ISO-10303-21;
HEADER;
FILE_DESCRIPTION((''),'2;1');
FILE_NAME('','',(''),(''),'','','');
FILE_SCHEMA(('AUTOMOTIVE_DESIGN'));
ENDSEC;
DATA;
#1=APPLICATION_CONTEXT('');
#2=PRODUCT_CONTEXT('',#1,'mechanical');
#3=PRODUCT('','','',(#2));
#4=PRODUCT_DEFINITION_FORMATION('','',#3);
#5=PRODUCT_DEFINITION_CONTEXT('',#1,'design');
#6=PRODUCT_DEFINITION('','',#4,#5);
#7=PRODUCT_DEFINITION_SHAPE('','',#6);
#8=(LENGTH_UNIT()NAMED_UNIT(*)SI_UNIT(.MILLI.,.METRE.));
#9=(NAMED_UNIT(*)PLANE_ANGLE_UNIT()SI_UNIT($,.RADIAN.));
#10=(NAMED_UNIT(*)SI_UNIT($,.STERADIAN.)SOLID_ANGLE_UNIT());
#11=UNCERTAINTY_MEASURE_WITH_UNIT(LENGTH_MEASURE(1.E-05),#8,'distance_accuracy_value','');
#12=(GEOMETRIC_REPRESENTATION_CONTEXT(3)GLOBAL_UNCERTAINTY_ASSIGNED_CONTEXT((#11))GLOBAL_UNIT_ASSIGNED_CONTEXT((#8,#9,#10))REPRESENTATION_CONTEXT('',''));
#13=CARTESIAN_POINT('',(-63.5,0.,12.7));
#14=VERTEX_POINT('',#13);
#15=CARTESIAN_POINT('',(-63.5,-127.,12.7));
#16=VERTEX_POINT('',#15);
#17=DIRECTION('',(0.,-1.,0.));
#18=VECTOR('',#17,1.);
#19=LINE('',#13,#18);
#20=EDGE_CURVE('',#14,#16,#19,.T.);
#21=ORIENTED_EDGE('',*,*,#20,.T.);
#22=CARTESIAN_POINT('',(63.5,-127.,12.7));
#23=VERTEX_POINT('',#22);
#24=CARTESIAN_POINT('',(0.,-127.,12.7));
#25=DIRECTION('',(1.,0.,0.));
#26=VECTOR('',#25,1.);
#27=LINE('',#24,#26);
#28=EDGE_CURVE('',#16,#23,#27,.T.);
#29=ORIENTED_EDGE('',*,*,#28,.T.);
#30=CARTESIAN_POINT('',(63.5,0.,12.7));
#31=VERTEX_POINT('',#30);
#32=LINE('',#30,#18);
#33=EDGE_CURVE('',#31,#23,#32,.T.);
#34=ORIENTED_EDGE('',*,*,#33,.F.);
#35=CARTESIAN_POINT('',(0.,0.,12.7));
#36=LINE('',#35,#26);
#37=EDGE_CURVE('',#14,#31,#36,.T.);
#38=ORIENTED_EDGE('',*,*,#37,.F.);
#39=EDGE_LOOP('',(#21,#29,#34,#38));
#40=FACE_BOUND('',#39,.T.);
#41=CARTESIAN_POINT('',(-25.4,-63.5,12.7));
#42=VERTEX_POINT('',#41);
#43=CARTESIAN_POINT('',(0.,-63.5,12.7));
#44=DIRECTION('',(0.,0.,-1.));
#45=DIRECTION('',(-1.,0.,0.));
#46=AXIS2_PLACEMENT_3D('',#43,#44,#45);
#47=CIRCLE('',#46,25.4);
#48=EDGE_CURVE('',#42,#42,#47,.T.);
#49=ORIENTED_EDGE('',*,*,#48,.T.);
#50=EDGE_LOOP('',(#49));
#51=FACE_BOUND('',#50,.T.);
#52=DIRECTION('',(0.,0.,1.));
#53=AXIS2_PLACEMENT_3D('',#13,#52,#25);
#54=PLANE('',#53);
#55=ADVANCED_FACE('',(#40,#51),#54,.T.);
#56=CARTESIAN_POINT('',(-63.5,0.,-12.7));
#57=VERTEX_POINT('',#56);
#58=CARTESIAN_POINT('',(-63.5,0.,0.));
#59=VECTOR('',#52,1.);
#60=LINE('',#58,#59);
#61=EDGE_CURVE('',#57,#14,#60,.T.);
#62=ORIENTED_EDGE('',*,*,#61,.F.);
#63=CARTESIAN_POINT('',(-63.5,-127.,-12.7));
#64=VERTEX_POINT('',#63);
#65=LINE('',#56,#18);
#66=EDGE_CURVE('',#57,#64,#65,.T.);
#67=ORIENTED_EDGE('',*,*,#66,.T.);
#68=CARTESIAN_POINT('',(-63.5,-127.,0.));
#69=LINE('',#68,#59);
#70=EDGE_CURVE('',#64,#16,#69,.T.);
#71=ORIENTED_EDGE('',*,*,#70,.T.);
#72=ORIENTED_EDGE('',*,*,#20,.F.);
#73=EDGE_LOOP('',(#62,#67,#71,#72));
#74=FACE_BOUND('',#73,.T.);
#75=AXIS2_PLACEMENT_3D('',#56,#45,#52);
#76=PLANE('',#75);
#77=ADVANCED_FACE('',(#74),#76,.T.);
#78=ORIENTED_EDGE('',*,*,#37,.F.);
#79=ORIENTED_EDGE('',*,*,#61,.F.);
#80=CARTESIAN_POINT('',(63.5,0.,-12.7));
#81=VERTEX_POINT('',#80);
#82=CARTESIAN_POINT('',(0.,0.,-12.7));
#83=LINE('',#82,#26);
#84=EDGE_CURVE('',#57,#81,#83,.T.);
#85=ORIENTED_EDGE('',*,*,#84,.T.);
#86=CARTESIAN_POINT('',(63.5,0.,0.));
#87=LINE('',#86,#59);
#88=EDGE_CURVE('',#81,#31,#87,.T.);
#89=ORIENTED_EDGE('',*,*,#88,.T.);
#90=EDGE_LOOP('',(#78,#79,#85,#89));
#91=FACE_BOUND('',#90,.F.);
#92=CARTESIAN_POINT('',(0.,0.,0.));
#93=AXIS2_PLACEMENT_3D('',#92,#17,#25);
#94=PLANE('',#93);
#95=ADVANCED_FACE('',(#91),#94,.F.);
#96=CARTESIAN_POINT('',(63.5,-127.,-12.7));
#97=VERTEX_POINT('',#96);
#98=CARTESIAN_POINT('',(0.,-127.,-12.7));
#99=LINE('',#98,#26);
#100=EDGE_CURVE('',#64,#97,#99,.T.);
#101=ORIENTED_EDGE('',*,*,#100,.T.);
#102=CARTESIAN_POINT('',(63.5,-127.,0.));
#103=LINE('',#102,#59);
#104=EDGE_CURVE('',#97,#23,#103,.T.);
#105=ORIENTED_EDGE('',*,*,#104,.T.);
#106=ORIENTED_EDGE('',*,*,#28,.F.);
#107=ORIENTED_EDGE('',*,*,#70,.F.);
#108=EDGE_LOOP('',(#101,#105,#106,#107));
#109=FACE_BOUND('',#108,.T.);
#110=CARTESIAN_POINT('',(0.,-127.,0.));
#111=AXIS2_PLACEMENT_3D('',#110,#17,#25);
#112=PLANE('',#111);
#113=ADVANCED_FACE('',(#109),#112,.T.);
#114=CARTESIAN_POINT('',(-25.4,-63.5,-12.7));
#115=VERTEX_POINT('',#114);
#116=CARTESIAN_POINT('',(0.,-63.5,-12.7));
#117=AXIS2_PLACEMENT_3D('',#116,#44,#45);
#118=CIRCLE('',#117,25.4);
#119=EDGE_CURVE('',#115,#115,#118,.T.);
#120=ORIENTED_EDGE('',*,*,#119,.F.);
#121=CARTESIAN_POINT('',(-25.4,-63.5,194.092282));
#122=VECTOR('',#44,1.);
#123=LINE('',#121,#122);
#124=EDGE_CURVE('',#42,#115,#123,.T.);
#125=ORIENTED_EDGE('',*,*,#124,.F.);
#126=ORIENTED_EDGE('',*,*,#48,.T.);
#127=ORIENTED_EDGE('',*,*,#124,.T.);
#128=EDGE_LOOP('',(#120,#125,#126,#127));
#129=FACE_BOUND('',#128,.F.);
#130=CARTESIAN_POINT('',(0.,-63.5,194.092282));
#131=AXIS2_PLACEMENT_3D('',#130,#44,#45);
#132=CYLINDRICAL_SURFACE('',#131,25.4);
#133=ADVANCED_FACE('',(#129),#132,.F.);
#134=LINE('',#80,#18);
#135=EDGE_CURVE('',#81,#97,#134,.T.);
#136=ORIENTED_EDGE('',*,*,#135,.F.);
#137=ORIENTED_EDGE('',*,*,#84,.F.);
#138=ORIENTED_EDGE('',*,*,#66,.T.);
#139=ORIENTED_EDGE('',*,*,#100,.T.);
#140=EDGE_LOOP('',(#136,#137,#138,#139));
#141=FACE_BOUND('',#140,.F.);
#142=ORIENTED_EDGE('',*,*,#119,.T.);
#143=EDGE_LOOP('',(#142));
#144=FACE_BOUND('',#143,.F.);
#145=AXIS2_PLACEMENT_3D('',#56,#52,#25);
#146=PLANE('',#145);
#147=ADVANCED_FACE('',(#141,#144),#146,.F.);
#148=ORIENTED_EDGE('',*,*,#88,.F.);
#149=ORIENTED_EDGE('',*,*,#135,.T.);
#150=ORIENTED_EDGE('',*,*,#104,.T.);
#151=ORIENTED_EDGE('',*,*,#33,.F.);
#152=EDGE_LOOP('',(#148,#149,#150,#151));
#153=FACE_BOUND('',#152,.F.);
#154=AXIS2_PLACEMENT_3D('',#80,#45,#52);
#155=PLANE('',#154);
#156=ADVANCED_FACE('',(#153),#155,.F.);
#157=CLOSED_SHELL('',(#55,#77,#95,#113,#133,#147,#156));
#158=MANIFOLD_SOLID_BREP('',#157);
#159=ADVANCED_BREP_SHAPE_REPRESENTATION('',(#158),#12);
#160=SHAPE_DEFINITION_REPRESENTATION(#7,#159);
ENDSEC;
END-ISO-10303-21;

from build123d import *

# Parameters (mm, degrees)
F0_W     = 127
F0_H     = 25.4
F1_DEPTH = 127
F3_D     = 50.8


with BuildPart() as f1:
    # F0 (on Front) → F1 (new body)
    with BuildSketch(Plane.XZ):
        Rectangle(F0_W, F0_H)
    extrude(amount=F1_DEPTH)

    # F3 (through all)
    with Locations(Plane.XY.offset(12.7)):
        with Locations((0, -63.5)):
            Hole(F3_D / 2)


solid = f1.part
